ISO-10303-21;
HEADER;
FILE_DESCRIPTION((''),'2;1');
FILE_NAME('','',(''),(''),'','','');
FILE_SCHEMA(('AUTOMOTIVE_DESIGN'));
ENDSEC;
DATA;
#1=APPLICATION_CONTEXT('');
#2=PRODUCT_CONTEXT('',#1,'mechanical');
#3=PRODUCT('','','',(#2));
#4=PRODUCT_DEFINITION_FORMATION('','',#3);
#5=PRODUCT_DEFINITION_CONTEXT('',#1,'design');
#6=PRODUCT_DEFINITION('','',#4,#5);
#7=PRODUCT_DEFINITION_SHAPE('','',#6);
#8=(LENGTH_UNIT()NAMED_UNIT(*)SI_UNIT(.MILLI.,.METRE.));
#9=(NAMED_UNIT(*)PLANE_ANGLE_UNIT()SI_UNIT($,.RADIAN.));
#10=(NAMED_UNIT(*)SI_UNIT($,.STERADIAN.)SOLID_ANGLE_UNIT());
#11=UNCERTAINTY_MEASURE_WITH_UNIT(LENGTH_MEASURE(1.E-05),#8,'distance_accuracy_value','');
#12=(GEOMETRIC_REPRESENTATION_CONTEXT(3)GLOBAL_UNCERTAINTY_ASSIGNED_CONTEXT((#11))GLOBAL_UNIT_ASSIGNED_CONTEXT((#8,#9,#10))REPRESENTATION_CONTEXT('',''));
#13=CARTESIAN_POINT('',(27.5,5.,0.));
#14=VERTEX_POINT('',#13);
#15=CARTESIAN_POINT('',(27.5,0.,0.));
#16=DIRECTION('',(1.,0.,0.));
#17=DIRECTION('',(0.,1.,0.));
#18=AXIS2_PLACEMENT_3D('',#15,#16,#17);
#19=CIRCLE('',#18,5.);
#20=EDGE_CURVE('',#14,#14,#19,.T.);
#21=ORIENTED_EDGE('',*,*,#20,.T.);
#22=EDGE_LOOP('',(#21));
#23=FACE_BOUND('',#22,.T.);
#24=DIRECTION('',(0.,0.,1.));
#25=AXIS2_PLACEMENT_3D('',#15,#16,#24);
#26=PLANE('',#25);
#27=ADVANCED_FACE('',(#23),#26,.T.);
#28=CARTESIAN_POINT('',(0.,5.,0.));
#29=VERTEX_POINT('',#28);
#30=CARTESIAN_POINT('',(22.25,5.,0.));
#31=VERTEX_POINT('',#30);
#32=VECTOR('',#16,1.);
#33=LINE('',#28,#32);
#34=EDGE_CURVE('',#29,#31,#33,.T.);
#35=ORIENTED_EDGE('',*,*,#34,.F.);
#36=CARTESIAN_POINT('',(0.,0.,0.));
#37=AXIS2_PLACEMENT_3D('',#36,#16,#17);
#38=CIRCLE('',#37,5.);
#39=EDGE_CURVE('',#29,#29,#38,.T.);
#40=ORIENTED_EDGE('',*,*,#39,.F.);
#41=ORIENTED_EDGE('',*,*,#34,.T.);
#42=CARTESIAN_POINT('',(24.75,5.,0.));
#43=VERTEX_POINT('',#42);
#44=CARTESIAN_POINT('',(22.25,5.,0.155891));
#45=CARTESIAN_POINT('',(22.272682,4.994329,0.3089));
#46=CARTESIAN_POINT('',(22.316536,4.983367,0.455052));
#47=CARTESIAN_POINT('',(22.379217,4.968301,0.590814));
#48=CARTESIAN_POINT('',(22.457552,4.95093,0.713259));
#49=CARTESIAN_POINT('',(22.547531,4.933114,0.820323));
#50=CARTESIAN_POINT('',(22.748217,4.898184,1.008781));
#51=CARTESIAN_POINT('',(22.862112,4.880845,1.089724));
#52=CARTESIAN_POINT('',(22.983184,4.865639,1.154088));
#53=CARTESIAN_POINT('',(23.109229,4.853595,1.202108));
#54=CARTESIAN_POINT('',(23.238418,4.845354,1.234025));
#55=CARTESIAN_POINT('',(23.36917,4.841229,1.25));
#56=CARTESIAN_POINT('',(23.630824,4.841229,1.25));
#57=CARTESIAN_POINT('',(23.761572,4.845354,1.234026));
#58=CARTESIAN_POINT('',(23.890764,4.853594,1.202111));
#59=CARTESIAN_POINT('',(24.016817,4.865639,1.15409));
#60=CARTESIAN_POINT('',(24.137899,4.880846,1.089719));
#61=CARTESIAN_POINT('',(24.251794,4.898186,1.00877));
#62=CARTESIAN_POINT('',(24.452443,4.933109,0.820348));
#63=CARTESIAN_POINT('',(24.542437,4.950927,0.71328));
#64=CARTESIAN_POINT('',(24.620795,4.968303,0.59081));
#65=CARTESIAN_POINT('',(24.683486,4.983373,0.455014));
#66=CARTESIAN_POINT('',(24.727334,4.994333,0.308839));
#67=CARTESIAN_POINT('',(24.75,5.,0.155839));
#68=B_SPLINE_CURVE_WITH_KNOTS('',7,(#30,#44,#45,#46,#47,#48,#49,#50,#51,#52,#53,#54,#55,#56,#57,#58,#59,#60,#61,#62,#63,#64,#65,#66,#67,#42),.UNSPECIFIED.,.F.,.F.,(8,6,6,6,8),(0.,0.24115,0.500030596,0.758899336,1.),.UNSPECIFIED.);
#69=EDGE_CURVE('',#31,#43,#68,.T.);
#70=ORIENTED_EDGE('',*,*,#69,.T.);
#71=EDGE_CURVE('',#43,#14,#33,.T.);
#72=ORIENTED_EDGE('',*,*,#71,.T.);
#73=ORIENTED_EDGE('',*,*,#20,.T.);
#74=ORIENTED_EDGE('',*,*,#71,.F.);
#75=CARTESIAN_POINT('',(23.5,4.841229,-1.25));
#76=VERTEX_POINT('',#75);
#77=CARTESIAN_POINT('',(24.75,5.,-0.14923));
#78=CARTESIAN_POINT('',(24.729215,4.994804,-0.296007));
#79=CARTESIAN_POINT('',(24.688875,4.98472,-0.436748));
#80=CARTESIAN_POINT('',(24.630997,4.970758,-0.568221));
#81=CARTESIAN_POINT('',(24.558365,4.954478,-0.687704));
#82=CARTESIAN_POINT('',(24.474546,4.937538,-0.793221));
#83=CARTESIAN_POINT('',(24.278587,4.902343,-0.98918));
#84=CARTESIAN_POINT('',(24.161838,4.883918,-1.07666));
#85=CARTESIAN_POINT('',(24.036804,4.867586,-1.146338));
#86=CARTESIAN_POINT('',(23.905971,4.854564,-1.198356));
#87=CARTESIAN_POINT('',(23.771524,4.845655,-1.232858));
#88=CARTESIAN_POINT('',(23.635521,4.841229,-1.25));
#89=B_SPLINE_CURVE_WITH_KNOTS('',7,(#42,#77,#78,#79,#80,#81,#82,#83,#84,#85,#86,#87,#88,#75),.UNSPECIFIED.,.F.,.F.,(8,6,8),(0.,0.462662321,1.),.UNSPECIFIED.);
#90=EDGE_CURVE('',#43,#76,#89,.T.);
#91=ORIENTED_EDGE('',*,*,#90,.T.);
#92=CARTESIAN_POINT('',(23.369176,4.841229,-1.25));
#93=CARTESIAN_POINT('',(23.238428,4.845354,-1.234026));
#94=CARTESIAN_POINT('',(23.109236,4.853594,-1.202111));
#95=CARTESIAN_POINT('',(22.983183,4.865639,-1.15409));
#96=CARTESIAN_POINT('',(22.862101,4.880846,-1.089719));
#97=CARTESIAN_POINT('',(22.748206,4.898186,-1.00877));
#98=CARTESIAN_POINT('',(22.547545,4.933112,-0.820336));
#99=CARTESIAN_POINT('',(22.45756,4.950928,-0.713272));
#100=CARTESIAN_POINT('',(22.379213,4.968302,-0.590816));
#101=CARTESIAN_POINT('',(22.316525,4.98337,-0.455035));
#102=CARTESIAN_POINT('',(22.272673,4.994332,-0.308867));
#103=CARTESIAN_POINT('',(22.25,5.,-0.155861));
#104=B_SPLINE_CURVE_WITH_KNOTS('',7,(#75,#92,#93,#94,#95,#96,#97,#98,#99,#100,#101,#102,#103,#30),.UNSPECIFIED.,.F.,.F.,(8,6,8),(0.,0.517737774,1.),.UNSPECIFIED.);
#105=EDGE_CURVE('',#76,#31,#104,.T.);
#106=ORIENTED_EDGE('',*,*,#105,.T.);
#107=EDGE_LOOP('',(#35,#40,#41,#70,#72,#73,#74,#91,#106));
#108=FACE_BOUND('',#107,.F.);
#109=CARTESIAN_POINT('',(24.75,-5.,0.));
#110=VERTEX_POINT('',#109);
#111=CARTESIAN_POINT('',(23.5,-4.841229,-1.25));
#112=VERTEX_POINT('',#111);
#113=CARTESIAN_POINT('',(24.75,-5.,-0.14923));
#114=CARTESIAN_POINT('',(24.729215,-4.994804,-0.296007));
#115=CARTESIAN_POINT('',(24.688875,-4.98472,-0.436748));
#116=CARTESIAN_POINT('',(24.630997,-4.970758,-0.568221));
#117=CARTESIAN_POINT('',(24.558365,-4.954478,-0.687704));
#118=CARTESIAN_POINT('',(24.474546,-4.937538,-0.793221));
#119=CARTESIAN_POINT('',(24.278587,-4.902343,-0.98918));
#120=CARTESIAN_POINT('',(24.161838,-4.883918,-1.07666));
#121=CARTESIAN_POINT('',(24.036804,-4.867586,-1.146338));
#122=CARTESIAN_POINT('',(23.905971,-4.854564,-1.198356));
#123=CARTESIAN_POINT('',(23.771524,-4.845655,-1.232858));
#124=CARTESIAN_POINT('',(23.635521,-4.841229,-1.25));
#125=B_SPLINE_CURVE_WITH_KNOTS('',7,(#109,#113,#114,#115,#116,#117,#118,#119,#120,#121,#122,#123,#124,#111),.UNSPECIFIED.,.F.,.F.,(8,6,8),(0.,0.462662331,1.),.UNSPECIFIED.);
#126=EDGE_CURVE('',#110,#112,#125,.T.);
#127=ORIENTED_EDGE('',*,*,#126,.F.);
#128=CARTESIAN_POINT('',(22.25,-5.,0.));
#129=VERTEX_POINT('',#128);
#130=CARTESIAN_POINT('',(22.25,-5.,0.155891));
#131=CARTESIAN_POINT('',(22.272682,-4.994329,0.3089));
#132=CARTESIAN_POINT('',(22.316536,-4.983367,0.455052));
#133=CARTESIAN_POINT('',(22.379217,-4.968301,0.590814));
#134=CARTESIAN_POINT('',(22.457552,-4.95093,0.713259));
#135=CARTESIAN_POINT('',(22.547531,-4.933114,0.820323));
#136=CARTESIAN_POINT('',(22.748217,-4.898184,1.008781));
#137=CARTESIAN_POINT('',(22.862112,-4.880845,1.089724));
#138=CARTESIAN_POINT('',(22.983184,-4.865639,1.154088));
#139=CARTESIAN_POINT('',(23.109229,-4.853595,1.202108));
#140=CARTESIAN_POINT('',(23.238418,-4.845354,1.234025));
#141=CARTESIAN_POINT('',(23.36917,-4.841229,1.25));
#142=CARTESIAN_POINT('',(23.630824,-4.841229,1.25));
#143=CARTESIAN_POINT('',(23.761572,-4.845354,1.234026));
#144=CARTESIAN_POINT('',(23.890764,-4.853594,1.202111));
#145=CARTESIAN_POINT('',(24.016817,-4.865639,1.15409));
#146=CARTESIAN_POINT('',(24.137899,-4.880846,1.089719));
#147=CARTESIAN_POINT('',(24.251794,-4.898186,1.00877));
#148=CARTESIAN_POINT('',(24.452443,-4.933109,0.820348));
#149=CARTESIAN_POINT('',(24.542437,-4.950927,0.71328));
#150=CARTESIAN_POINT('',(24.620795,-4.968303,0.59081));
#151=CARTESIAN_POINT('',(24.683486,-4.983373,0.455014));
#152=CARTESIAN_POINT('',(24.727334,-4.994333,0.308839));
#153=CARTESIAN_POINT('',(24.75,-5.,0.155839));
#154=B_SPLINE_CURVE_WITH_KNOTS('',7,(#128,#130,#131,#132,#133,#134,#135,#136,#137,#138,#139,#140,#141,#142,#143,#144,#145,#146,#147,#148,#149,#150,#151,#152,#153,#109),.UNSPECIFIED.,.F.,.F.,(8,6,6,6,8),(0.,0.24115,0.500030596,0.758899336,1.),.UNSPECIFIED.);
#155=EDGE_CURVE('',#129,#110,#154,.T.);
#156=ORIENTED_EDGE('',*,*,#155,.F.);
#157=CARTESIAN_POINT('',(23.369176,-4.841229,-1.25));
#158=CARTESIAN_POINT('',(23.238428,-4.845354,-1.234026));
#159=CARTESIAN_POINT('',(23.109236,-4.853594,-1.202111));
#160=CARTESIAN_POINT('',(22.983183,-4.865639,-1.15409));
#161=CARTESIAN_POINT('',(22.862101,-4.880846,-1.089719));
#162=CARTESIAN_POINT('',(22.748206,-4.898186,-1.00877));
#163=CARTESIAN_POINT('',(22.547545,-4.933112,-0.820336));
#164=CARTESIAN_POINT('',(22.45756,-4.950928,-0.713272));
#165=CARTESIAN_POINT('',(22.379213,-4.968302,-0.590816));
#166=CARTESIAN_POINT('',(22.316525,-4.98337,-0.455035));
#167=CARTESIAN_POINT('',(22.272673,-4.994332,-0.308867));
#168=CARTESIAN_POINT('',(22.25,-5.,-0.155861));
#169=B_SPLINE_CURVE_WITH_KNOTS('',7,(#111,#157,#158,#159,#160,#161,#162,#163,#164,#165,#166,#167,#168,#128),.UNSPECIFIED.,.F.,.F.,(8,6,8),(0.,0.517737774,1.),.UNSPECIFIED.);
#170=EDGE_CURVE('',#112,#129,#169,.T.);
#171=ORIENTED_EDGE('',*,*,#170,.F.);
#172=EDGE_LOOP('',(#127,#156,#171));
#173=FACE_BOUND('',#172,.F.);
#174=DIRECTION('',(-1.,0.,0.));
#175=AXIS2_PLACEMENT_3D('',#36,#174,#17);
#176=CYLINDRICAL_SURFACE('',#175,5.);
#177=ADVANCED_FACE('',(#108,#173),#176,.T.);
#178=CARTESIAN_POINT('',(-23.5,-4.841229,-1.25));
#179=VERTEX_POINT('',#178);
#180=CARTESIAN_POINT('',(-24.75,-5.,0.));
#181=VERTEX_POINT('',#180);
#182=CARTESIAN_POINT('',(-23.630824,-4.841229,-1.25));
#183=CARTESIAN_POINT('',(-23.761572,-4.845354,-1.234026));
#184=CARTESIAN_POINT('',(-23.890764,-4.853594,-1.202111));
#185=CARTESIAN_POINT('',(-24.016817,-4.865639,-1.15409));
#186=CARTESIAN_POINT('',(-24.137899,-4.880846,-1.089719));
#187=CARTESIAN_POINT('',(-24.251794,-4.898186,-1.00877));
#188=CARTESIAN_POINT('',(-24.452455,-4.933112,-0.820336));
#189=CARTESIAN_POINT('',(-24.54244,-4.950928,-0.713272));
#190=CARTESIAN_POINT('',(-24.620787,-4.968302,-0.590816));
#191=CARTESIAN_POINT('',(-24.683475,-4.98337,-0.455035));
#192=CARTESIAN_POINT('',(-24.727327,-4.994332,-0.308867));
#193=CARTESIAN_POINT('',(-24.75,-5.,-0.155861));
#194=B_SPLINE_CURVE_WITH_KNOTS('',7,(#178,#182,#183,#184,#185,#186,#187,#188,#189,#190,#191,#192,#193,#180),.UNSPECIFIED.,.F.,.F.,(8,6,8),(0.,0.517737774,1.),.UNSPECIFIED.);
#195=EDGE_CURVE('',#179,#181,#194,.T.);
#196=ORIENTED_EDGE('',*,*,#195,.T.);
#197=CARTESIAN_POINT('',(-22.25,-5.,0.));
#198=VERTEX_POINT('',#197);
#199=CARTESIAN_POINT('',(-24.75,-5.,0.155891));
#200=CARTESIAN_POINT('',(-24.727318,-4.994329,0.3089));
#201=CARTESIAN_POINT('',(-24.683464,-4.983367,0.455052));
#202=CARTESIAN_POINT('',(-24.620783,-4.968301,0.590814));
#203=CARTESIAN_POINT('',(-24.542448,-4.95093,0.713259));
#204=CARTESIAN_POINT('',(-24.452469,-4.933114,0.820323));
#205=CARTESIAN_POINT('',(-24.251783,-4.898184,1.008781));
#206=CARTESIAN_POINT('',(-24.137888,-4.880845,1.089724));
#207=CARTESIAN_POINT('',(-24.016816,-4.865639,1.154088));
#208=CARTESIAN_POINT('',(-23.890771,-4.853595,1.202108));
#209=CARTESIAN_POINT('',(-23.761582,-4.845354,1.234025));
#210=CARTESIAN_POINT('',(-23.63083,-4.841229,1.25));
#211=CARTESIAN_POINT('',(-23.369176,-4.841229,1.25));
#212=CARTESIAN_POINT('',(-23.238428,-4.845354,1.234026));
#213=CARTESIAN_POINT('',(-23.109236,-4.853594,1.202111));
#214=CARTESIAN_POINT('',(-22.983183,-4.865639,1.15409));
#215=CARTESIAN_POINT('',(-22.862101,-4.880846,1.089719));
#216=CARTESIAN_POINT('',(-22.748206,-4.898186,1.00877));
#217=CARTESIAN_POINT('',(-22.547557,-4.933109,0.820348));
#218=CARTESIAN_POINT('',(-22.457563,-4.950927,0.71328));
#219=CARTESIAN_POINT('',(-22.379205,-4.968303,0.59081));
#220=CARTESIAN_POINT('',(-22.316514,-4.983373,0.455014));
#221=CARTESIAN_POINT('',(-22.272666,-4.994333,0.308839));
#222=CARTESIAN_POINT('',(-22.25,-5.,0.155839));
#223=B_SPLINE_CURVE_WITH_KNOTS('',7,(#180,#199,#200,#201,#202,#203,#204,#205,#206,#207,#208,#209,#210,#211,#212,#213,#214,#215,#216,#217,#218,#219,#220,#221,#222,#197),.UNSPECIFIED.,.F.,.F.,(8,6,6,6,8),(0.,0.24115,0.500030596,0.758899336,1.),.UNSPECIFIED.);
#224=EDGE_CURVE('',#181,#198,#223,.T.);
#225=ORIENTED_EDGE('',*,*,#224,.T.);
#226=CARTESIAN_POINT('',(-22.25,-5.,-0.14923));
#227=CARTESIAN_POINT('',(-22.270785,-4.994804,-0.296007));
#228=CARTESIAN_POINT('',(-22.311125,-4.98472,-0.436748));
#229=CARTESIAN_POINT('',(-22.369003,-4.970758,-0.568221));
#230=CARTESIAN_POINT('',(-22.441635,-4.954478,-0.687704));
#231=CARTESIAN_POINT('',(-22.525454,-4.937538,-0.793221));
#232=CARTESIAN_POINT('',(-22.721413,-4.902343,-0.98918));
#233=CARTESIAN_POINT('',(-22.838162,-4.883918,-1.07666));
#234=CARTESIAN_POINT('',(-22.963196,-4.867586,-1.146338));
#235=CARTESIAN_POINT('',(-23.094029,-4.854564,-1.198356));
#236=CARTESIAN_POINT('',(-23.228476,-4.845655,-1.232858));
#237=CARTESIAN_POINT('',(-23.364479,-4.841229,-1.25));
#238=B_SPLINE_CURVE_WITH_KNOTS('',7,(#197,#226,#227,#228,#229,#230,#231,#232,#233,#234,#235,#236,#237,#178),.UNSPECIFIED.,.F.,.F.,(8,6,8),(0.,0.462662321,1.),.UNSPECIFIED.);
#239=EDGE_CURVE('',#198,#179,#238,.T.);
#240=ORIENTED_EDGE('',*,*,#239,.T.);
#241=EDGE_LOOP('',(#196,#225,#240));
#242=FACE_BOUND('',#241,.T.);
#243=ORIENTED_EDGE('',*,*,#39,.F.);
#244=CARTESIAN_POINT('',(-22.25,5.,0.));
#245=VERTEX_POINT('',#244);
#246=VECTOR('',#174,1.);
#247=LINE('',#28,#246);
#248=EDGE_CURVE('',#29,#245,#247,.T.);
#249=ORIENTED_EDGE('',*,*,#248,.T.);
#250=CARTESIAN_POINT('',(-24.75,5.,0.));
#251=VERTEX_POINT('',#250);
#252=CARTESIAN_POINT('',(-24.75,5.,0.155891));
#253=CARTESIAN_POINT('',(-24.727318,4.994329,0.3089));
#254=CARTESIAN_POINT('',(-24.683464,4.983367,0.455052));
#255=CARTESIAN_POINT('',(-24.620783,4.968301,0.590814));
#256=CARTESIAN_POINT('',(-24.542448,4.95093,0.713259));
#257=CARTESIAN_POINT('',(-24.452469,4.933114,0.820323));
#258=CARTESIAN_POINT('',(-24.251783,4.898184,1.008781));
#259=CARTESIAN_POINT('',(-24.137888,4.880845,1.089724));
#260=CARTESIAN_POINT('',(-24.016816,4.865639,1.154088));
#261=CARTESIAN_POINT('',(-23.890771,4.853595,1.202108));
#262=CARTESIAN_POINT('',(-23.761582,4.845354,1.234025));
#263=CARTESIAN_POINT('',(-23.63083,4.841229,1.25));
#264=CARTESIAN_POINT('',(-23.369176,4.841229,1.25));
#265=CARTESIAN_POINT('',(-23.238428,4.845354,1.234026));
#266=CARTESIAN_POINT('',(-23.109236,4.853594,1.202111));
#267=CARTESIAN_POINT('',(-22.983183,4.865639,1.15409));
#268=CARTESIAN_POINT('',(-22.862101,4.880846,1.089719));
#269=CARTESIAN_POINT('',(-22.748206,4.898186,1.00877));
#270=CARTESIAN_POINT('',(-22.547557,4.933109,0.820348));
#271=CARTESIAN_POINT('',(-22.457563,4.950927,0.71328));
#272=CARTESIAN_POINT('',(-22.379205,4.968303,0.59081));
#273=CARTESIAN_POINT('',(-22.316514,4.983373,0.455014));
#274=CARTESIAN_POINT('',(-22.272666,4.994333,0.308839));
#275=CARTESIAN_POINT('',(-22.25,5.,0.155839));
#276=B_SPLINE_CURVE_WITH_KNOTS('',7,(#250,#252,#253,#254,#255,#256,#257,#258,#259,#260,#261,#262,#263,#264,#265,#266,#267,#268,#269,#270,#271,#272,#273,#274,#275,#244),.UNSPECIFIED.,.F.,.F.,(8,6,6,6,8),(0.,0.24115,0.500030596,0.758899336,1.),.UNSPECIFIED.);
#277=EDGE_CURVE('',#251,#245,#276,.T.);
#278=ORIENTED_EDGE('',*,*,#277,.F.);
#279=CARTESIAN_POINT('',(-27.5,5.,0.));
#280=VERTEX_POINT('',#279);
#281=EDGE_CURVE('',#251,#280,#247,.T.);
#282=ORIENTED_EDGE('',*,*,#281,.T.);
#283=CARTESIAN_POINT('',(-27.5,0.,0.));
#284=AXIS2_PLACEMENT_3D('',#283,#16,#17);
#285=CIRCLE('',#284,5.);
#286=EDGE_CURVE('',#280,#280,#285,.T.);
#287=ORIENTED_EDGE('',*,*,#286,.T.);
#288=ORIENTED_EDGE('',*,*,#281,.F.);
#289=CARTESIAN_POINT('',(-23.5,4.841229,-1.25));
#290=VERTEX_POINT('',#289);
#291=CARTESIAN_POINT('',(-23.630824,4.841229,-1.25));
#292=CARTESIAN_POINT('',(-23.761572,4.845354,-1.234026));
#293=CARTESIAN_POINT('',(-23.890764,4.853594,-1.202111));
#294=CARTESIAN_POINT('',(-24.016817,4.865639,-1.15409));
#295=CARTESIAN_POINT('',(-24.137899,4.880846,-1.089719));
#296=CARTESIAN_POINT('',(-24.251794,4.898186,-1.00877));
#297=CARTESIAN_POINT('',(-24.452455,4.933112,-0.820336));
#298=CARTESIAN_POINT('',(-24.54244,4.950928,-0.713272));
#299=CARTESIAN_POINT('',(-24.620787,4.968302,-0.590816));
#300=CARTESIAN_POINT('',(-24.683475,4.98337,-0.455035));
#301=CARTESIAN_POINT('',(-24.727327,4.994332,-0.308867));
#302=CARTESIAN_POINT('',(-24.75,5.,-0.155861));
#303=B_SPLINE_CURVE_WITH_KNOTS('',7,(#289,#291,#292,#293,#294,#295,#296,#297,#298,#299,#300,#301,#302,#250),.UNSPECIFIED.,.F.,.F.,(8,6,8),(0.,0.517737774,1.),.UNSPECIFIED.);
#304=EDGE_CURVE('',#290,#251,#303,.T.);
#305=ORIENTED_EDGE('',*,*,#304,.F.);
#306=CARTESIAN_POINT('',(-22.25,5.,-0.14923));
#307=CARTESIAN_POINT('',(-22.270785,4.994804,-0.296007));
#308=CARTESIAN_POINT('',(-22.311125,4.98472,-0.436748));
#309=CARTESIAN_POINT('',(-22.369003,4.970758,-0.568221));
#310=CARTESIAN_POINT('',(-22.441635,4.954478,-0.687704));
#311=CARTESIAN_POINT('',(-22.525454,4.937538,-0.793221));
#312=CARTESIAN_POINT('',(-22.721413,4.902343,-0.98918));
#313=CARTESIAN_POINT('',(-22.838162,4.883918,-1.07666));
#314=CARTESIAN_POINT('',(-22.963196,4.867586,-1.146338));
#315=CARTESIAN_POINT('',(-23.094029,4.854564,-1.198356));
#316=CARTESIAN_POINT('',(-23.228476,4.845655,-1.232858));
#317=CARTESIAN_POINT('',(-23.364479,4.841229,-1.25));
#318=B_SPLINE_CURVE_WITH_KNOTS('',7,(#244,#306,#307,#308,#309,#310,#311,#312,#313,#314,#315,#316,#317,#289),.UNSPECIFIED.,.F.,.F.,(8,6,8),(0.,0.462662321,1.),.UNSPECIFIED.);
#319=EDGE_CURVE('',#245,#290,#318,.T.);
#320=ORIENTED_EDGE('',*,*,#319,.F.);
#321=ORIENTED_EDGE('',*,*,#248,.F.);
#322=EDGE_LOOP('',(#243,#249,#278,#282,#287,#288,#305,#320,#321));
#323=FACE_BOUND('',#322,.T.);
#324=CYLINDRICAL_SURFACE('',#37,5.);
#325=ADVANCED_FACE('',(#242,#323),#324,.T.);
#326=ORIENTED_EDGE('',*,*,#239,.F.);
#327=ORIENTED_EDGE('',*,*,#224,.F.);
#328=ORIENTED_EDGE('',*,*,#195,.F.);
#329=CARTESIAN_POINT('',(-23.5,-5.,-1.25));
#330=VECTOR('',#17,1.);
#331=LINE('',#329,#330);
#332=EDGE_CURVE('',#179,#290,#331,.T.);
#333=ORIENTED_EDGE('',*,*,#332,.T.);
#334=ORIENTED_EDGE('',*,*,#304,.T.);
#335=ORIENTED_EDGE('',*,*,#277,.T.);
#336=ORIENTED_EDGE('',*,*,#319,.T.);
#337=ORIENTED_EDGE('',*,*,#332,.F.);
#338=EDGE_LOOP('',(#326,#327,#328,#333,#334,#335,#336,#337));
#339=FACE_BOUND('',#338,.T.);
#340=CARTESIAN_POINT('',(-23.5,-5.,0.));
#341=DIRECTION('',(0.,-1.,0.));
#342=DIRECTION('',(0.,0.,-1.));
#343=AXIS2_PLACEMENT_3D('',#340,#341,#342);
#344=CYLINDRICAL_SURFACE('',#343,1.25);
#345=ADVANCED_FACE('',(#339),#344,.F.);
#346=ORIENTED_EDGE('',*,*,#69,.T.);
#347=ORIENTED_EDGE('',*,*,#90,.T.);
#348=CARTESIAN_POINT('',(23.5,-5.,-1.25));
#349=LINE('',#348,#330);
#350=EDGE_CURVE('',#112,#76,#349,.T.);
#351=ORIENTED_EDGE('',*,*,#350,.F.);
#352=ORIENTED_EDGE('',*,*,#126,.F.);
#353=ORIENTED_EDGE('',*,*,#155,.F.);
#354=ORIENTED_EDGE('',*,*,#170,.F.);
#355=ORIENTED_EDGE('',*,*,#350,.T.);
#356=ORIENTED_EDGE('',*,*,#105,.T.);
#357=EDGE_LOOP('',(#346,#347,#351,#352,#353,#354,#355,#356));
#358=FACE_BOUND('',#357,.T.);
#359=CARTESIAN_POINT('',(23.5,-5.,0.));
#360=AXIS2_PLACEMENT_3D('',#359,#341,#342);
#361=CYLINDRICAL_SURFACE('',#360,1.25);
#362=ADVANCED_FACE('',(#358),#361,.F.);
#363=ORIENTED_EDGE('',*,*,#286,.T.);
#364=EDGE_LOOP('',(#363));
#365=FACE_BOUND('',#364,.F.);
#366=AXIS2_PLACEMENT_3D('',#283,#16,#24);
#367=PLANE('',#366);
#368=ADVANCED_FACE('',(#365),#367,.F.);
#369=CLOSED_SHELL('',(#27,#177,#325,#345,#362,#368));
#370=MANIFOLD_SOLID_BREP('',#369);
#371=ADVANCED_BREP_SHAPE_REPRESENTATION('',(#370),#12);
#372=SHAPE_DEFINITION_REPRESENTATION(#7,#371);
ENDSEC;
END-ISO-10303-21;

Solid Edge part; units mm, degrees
sketch "Sketch1" plane through (0, 0, 0) normal (1, 0, 0) x (0, 1, 0)
  circle A0 centre (0, 0) radius 5
extrude "Protrusion1" add sketch "Sketch1" along normal mid plane 55
cosmetic_thread "Thread_2" size "M10" thread depth 15
cosmetic_thread "Thread_3" size "M10" thread depth 15
hole "Hole_1" at (23.5, -5, 0) direction (0, 1, 0) diameter 2.5 end up to next
hole "Hole1" at (-23.5, -5, 0) direction (0, 1, 0) diameter 2.5 end up to next
